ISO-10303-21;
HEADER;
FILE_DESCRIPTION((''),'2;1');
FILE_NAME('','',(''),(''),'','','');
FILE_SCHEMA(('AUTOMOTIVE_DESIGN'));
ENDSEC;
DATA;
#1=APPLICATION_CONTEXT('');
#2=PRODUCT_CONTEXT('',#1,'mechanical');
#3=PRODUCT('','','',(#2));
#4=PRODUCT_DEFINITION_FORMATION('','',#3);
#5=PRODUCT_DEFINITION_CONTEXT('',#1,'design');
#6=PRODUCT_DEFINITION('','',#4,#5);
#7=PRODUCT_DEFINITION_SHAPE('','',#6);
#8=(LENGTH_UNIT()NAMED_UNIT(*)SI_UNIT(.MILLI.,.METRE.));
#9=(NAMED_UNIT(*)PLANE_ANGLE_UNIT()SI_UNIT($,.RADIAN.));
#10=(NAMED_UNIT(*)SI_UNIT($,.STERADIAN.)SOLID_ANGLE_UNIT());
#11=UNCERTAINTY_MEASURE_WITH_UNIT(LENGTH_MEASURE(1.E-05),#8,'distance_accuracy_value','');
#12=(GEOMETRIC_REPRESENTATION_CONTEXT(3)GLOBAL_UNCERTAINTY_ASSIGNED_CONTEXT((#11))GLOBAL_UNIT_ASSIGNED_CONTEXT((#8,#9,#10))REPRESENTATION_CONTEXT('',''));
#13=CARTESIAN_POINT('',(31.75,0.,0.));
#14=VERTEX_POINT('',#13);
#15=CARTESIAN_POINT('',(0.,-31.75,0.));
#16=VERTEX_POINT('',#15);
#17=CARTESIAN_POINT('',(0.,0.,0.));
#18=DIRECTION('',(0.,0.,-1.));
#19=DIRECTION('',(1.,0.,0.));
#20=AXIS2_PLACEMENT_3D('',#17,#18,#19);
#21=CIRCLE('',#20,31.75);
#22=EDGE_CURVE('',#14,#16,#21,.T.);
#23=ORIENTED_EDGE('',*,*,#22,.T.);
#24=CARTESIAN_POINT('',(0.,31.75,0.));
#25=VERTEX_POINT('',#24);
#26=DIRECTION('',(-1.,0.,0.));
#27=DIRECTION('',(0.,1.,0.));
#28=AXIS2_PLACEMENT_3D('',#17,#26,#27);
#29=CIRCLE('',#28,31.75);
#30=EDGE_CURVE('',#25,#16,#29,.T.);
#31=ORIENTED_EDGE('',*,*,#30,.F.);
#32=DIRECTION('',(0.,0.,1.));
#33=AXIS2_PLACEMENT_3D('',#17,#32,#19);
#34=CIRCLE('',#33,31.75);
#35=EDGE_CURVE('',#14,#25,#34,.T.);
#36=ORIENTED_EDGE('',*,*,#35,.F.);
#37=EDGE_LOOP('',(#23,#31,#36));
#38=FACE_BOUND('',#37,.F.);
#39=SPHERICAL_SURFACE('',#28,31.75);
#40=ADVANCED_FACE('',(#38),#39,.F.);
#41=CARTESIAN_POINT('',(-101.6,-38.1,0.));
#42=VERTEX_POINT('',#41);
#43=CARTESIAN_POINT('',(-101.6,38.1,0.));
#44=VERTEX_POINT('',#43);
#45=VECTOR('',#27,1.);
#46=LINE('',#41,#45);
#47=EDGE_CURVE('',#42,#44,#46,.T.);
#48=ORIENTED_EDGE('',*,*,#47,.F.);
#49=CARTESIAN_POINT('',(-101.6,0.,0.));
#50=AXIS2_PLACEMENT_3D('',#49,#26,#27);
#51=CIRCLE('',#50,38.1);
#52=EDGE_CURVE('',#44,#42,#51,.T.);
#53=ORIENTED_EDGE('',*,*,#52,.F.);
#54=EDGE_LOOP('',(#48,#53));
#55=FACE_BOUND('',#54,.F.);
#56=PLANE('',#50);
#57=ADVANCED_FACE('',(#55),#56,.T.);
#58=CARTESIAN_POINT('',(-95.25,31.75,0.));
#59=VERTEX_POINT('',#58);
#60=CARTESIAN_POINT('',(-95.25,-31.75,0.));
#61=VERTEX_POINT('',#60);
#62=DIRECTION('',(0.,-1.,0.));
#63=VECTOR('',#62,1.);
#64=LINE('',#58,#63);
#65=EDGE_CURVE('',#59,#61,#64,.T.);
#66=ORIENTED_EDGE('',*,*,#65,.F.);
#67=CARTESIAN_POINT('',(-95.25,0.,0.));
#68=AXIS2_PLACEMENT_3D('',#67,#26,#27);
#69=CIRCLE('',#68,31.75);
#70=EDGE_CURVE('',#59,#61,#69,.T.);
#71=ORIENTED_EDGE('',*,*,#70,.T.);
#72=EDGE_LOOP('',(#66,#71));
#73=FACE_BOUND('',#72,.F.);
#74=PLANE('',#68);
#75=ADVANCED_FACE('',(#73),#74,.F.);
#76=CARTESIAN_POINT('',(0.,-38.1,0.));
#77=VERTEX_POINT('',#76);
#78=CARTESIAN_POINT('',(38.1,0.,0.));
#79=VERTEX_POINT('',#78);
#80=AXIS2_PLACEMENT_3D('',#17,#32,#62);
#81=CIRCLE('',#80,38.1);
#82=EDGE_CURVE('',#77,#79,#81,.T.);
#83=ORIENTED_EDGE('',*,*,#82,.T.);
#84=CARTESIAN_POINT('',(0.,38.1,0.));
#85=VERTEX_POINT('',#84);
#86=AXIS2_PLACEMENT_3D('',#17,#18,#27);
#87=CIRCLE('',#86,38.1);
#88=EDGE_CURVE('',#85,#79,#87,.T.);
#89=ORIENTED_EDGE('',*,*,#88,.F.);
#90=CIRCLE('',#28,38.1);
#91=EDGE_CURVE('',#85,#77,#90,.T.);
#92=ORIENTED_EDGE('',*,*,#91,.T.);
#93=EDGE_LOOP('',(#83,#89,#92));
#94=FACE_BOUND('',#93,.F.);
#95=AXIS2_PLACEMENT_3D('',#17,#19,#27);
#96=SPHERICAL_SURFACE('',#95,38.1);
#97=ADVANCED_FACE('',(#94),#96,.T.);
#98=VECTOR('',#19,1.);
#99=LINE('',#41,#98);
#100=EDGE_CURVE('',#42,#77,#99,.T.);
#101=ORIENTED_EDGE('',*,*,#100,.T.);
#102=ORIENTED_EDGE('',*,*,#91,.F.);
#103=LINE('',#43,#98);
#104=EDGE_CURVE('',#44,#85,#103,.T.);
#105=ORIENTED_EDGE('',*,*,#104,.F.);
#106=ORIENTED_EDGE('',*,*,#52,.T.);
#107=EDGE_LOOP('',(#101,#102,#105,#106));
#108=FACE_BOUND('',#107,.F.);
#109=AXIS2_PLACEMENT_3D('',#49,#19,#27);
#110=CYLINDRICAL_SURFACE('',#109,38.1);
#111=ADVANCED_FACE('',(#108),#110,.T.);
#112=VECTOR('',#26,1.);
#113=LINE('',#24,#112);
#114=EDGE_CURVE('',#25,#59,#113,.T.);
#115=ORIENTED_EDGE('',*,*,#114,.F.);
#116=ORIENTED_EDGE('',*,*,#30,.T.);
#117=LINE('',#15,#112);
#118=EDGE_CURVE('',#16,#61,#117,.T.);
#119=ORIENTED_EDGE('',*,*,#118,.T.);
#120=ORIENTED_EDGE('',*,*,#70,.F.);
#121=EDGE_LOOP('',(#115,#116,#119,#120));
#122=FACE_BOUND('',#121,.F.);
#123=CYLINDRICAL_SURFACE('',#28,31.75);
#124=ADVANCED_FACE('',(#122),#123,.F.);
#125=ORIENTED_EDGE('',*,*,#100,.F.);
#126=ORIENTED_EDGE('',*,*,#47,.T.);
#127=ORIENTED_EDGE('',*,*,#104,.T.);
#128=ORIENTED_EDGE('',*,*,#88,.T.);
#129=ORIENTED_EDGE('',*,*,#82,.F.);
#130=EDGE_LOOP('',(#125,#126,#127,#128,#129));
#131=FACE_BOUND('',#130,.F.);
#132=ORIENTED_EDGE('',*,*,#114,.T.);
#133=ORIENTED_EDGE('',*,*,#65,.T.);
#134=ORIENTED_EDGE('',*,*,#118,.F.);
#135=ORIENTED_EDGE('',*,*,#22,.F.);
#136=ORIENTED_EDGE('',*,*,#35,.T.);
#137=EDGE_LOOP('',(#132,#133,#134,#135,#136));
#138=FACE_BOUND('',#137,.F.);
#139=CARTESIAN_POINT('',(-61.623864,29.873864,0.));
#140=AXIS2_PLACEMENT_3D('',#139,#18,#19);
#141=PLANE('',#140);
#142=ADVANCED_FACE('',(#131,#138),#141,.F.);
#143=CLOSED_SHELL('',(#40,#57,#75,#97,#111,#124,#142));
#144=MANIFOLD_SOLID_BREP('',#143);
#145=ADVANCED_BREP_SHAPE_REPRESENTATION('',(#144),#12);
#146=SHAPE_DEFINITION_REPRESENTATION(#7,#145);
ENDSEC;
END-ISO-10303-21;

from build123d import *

# Parameters (mm, degrees)
F1_ANGLE_BACK = 90
F1_ANGLE      = 180


with BuildPart() as f1:
    # F0 (on Front) → F1 (revolve)
    with BuildSketch(Plane.XZ, mode=Mode.PRIVATE) as f1_sk:
        Polygon((-95.25, -31.75), (-95.25, 0), (-101.6, 0), (-101.6, -38.1), (0, -38.1), (0, -31.75), align=None)
        with BuildLine():
            ThreePointArc((31.75, 0), (22.4506403027, -22.4506403027), (0, -31.75))
            Line((0, -31.75), (0, -38.1))
            ThreePointArc((0, -38.1), (26.9407683632, -26.9407683632), (38.1, 0))
            Line((38.1, 0), (31.75, 0))
        make_face()
    revolve(f1_sk.sketch.rotate(Axis((-50.8, 0, 0), (-1, 0, 0)), -F1_ANGLE_BACK), axis=Axis((-50.8, 0, 0), (-1, 0, 0)), revolution_arc=F1_ANGLE)


solid = f1.part
